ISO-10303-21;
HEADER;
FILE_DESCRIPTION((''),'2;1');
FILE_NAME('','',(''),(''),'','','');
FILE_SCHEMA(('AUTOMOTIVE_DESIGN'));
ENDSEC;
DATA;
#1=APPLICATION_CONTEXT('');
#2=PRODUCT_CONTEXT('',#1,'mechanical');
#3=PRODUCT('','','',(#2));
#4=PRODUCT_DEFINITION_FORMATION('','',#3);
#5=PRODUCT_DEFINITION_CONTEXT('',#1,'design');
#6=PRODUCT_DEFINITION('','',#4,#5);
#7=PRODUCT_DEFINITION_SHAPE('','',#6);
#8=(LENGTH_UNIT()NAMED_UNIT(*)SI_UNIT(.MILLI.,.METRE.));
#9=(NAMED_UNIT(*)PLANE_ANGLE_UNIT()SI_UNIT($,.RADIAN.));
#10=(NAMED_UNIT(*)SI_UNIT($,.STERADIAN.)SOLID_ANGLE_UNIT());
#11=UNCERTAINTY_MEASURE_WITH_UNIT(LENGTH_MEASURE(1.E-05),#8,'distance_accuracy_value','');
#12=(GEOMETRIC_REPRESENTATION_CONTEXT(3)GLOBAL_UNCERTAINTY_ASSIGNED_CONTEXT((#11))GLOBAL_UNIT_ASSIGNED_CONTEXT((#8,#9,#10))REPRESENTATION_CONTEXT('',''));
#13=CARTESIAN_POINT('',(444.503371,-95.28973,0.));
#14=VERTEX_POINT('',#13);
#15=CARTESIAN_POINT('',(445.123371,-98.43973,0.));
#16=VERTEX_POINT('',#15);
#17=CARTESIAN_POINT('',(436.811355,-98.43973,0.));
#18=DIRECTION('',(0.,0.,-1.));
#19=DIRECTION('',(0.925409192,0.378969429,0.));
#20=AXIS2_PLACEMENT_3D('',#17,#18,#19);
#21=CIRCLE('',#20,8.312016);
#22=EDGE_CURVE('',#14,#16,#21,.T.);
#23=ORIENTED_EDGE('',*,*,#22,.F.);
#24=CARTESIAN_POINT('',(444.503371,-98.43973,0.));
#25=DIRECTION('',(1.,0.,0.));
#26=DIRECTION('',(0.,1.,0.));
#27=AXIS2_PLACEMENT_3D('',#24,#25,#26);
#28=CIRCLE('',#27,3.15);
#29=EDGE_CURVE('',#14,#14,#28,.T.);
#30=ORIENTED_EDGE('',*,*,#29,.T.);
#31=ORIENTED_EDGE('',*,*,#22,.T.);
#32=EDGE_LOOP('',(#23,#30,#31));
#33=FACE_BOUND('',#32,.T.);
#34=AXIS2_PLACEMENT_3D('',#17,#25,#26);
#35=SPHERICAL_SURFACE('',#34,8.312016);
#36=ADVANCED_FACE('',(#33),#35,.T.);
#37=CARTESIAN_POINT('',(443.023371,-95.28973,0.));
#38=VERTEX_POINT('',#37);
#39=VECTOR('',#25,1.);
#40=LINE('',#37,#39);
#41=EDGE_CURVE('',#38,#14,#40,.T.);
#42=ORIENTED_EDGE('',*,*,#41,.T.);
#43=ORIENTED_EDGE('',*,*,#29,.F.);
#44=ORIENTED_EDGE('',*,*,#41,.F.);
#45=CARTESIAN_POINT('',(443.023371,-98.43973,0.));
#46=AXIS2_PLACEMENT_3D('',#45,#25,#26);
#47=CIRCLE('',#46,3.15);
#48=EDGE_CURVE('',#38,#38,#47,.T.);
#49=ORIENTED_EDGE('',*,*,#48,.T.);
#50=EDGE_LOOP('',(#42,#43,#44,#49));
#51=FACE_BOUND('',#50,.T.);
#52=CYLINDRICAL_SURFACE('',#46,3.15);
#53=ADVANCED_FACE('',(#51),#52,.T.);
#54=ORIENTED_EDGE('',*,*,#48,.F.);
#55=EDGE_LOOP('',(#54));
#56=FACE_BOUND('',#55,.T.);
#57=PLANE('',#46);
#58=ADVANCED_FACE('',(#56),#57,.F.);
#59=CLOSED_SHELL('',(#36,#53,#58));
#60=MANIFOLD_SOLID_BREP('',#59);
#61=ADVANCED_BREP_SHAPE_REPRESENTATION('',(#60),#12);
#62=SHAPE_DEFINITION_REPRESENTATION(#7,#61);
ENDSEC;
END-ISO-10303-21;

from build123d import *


with BuildPart() as part:
    # 草图1 → 旋转1 (revolve)
    with BuildSketch(Plane.XY):
        with BuildLine():
            Line((443.023371252, -98.439729515), (443.023371252, -95.289729515))
            Line((443.023371252, -95.289729515), (444.503371252, -95.289729515))
            ThreePointArc((444.503371252, -95.289729515), (444.966898461, -96.834511461), (445.123371252, -98.439729515))
            Line((445.123371252, -98.439729515), (443.023371252, -98.439729515))
        make_face()
    revolve(axis=Axis((442.21766084, -98.439729515, 0), (1, 0, 0)))


solid = part.part
